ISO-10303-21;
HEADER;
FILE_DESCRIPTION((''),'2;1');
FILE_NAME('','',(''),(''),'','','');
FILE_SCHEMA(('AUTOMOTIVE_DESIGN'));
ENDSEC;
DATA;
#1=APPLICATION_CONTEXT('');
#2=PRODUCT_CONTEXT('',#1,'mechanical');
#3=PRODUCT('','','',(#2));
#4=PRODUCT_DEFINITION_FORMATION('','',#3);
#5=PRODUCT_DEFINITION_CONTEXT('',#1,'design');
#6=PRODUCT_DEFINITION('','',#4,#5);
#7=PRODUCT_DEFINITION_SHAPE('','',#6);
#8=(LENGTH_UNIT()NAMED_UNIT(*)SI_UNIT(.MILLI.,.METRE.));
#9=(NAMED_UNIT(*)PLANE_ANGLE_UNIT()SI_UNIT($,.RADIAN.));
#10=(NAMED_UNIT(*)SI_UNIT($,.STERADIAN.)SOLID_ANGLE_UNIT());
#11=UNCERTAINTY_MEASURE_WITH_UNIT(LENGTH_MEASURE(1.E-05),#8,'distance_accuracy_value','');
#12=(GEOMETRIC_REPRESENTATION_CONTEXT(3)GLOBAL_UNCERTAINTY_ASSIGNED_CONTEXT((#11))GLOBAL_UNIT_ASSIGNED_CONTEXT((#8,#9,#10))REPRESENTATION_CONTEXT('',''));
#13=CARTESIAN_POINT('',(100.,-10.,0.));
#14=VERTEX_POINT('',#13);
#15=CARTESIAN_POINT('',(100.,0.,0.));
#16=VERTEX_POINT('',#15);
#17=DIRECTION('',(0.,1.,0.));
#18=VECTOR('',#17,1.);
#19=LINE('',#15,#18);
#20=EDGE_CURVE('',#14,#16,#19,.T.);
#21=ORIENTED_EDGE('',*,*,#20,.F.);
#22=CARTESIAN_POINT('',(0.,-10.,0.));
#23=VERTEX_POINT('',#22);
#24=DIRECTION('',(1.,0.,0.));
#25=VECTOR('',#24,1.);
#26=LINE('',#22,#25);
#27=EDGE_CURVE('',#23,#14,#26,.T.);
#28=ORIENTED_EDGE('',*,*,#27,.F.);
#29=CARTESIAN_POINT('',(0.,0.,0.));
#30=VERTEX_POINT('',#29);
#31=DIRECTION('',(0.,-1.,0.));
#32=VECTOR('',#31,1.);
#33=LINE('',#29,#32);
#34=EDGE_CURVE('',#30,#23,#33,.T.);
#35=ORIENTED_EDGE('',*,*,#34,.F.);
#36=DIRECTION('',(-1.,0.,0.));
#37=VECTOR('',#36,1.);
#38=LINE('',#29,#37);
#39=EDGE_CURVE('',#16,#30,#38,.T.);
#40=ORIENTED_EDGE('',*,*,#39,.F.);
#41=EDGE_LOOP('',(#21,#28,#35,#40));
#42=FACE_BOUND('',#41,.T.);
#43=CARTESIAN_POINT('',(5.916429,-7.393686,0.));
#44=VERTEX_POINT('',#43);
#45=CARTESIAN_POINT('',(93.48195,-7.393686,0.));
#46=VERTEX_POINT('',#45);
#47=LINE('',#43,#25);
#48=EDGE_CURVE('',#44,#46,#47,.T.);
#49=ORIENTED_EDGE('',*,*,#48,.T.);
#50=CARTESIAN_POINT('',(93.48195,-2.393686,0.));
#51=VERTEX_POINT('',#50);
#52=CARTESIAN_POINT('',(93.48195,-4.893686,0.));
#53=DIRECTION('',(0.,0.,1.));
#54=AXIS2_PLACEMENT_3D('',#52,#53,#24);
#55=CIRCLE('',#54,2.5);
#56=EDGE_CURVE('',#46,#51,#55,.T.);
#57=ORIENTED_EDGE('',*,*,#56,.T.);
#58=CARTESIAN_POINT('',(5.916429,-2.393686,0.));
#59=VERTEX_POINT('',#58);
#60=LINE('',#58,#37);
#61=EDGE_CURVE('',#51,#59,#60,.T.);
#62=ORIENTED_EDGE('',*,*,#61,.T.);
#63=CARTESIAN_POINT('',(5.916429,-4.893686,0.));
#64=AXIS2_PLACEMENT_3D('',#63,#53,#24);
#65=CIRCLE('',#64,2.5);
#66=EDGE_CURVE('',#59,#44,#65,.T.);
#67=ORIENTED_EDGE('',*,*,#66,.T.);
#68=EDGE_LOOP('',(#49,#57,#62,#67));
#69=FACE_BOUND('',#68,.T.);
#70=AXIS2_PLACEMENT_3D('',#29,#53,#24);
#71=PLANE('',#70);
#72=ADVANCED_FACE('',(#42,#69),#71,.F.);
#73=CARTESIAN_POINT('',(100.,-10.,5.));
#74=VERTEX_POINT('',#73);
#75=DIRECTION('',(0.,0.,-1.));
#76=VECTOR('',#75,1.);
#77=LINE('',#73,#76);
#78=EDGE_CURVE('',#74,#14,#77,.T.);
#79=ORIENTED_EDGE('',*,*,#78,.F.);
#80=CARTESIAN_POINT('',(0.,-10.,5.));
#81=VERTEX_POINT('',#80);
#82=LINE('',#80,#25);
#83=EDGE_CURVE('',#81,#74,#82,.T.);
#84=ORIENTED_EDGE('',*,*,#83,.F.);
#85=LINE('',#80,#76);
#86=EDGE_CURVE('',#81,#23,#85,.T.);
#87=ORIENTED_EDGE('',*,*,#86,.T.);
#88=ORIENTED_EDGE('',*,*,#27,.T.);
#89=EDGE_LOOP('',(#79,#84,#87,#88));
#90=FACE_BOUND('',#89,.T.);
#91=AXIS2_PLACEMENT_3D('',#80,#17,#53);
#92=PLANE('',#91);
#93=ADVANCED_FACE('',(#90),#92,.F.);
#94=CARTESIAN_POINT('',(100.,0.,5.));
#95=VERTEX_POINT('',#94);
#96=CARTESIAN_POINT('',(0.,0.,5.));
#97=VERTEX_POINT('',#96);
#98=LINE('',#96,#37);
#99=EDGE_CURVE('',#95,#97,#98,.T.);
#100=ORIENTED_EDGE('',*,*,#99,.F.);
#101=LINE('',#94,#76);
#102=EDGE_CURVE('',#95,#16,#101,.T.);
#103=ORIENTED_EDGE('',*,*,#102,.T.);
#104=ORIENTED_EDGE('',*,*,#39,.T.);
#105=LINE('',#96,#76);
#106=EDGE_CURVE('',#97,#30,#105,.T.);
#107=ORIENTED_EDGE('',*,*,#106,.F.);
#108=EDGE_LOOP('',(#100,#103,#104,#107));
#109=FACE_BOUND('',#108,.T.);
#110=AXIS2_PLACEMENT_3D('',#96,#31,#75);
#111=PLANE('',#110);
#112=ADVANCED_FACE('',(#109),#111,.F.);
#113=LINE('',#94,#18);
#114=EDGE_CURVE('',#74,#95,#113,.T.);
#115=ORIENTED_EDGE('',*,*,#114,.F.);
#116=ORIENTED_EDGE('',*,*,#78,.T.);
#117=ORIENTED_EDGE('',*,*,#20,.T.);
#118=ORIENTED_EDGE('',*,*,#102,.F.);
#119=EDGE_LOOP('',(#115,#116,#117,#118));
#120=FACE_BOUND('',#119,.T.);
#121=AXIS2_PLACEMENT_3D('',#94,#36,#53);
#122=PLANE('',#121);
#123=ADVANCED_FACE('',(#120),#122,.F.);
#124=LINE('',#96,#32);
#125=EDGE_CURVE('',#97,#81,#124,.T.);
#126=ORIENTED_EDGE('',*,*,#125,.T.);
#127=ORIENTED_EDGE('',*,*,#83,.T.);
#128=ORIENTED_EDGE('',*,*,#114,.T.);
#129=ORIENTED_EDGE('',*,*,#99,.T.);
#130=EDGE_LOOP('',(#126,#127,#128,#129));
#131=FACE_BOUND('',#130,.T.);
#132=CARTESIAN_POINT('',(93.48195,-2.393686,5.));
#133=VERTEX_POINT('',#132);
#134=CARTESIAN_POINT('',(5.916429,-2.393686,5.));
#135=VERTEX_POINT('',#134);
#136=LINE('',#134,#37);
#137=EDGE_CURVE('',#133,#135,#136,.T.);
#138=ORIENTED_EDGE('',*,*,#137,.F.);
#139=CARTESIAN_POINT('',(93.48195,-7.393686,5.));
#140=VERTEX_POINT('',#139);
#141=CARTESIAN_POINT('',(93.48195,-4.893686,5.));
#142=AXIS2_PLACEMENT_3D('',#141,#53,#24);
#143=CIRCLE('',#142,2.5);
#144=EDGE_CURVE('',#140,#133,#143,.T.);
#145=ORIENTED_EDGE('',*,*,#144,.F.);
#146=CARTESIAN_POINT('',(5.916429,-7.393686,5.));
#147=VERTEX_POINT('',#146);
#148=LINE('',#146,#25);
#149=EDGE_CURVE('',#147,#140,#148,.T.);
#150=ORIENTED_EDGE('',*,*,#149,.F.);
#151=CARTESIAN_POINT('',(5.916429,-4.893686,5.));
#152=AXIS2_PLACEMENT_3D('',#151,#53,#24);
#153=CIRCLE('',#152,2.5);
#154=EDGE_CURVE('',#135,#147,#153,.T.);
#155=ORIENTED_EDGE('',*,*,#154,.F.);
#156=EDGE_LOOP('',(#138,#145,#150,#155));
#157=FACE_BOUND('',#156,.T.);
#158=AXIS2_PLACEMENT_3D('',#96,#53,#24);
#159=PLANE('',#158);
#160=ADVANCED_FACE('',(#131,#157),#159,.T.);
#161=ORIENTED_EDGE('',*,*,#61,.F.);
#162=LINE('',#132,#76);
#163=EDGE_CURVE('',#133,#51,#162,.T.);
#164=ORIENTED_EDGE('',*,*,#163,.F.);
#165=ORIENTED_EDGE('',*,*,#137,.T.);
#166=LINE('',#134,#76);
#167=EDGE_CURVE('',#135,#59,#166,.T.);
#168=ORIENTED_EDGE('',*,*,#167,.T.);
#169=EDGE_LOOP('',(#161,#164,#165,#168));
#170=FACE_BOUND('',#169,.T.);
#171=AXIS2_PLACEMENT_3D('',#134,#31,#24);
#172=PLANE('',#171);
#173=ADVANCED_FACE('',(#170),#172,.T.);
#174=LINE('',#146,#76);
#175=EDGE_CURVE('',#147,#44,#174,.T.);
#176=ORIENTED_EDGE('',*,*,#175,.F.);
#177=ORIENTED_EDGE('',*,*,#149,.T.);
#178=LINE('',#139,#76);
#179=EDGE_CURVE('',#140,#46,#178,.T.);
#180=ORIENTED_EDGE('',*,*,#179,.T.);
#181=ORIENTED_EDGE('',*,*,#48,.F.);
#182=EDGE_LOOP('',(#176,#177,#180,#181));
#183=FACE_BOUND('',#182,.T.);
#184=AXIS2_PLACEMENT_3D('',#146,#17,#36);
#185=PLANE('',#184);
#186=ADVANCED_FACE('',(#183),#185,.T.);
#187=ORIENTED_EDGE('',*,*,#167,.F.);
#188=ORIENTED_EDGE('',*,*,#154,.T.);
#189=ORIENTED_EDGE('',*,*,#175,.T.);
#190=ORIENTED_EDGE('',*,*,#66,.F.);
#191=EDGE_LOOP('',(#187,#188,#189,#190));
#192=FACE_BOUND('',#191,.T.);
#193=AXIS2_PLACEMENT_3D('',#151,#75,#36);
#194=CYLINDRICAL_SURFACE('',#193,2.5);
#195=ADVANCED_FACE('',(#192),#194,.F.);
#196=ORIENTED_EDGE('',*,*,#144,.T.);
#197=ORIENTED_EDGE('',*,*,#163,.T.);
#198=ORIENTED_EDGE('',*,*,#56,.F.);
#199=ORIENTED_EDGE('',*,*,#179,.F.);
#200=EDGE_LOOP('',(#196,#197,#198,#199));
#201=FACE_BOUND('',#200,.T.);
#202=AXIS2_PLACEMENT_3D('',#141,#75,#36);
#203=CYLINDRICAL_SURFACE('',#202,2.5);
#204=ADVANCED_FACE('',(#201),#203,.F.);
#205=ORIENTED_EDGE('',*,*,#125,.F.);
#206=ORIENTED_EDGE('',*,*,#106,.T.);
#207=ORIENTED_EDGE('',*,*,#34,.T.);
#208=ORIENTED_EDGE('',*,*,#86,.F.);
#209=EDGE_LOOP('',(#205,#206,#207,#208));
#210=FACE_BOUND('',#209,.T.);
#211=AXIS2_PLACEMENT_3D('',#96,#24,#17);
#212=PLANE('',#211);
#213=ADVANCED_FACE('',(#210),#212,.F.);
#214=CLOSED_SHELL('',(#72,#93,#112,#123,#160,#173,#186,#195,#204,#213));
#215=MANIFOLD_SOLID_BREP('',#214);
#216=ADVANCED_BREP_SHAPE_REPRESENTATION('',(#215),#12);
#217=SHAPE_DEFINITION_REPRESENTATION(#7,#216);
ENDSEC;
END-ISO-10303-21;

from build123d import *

# Parameters (mm, degrees)
SKETCH_1_W      = 100
SKETCH_1_H      = 10
EXTRUDE_1_DEPTH = 5


with BuildPart() as part:
    # 草图1 → 凸台-拉伸1 (new body)
    with BuildSketch(Plane.XY):
        with Locations((50, -5)):
            Rectangle(SKETCH_1_W, SKETCH_1_H)
        with BuildLine():
            Line((5.916428621, -2.393685736), (93.481950246, -2.393685736))
            ThreePointArc((93.481950246, -2.393685736), (95.981950246, -4.893685736), (93.481950246, -7.393685736))
            Line((93.481950246, -7.393685736), (5.916428621, -7.393685736))
            ThreePointArc((5.916428621, -7.393685736), (3.416428621, -4.893685736), (5.916428621, -2.393685736))
        make_face(mode=Mode.SUBTRACT)
    extrude(amount=EXTRUDE_1_DEPTH)


solid = part.part
